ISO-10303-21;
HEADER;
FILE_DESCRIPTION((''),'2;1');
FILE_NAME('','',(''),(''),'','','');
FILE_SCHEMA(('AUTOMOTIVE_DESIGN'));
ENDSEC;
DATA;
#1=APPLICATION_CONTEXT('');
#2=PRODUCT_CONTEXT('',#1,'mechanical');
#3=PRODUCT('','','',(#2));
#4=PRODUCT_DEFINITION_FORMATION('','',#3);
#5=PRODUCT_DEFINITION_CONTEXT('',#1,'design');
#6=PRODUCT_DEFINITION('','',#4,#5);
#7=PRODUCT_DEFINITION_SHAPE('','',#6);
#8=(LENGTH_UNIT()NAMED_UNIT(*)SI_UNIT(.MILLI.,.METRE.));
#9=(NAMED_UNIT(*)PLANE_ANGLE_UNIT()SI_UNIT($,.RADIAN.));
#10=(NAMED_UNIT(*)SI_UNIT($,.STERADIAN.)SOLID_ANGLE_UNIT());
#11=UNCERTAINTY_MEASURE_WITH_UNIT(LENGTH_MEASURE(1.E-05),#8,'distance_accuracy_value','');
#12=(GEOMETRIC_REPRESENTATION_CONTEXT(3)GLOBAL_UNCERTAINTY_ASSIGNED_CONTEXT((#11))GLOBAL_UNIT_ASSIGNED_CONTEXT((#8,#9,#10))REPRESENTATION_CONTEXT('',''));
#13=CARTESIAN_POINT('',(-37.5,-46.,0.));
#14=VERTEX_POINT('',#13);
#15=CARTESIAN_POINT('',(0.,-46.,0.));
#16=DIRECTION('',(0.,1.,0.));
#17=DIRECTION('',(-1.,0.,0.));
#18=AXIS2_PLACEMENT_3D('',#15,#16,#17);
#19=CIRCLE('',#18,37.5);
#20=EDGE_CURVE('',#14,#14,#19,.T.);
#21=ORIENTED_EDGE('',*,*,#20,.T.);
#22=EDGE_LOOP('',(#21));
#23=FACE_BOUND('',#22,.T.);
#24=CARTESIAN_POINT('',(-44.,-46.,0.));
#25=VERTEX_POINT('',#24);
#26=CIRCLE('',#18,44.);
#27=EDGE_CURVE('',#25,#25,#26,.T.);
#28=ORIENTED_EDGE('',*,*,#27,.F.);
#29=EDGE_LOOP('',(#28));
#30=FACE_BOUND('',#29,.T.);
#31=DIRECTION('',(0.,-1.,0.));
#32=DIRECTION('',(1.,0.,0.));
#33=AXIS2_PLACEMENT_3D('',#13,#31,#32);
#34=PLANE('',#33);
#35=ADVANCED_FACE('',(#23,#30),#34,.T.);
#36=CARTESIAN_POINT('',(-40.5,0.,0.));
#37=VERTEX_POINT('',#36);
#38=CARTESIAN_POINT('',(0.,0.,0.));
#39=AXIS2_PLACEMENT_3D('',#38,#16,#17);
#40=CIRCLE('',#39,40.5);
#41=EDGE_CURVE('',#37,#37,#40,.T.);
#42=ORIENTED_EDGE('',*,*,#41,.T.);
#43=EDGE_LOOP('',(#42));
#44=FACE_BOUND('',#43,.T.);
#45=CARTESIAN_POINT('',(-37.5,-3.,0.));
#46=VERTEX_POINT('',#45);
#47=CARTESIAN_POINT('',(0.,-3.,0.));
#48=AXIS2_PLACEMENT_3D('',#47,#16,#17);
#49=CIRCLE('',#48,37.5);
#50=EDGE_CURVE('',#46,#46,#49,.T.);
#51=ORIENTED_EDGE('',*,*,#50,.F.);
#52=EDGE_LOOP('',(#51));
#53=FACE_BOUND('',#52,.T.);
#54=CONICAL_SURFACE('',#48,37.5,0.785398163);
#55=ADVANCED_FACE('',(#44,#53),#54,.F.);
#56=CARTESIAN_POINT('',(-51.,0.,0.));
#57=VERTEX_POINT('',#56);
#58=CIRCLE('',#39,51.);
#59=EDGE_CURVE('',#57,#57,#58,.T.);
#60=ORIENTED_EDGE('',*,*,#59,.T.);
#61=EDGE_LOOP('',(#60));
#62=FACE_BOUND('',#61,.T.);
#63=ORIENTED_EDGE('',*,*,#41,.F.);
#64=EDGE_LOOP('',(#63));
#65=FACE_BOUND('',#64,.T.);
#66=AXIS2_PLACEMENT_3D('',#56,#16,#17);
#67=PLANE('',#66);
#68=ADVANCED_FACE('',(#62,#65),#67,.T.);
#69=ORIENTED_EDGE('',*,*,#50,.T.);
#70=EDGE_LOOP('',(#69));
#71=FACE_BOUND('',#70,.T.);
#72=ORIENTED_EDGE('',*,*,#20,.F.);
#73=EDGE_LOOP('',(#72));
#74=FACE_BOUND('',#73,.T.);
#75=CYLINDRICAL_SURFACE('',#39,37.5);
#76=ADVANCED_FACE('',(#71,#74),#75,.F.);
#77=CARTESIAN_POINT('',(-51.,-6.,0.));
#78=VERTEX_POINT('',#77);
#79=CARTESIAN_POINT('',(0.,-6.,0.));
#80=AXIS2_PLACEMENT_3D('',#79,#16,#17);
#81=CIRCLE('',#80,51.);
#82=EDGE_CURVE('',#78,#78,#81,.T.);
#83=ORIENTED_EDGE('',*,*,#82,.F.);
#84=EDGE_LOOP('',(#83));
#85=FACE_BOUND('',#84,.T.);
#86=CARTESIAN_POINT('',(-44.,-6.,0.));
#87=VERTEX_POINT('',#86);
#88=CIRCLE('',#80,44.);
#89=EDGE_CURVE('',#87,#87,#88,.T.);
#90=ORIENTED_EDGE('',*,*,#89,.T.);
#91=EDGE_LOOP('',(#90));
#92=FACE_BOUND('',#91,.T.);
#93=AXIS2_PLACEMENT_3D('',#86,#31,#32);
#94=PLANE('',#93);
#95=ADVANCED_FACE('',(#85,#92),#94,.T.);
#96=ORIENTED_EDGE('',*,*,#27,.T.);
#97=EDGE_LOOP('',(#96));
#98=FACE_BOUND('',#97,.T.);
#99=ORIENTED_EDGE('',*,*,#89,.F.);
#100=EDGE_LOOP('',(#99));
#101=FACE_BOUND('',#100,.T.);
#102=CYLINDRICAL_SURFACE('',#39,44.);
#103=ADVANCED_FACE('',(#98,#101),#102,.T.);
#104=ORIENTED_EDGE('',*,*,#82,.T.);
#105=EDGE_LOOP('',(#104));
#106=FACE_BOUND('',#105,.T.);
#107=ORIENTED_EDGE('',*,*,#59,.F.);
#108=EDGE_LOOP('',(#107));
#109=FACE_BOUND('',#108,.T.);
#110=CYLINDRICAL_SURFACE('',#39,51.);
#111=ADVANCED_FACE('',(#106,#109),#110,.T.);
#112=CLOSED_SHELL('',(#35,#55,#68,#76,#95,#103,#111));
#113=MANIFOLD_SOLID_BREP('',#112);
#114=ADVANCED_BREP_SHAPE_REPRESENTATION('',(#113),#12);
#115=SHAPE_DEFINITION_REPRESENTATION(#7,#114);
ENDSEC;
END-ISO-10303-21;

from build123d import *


with BuildPart() as part:
    # Sketch1 → Revolve1 (revolve)
    with BuildSketch(Plane.XY):
        Polygon((-51, 0), (-40.5, 0), (-37.5, -3), (-37.5, -46), (-44, -46), (-44, -6), (-51, -6), align=None)
    revolve(axis=Axis((0, 0, 0), (0, -1, 0)))


solid = part.part
